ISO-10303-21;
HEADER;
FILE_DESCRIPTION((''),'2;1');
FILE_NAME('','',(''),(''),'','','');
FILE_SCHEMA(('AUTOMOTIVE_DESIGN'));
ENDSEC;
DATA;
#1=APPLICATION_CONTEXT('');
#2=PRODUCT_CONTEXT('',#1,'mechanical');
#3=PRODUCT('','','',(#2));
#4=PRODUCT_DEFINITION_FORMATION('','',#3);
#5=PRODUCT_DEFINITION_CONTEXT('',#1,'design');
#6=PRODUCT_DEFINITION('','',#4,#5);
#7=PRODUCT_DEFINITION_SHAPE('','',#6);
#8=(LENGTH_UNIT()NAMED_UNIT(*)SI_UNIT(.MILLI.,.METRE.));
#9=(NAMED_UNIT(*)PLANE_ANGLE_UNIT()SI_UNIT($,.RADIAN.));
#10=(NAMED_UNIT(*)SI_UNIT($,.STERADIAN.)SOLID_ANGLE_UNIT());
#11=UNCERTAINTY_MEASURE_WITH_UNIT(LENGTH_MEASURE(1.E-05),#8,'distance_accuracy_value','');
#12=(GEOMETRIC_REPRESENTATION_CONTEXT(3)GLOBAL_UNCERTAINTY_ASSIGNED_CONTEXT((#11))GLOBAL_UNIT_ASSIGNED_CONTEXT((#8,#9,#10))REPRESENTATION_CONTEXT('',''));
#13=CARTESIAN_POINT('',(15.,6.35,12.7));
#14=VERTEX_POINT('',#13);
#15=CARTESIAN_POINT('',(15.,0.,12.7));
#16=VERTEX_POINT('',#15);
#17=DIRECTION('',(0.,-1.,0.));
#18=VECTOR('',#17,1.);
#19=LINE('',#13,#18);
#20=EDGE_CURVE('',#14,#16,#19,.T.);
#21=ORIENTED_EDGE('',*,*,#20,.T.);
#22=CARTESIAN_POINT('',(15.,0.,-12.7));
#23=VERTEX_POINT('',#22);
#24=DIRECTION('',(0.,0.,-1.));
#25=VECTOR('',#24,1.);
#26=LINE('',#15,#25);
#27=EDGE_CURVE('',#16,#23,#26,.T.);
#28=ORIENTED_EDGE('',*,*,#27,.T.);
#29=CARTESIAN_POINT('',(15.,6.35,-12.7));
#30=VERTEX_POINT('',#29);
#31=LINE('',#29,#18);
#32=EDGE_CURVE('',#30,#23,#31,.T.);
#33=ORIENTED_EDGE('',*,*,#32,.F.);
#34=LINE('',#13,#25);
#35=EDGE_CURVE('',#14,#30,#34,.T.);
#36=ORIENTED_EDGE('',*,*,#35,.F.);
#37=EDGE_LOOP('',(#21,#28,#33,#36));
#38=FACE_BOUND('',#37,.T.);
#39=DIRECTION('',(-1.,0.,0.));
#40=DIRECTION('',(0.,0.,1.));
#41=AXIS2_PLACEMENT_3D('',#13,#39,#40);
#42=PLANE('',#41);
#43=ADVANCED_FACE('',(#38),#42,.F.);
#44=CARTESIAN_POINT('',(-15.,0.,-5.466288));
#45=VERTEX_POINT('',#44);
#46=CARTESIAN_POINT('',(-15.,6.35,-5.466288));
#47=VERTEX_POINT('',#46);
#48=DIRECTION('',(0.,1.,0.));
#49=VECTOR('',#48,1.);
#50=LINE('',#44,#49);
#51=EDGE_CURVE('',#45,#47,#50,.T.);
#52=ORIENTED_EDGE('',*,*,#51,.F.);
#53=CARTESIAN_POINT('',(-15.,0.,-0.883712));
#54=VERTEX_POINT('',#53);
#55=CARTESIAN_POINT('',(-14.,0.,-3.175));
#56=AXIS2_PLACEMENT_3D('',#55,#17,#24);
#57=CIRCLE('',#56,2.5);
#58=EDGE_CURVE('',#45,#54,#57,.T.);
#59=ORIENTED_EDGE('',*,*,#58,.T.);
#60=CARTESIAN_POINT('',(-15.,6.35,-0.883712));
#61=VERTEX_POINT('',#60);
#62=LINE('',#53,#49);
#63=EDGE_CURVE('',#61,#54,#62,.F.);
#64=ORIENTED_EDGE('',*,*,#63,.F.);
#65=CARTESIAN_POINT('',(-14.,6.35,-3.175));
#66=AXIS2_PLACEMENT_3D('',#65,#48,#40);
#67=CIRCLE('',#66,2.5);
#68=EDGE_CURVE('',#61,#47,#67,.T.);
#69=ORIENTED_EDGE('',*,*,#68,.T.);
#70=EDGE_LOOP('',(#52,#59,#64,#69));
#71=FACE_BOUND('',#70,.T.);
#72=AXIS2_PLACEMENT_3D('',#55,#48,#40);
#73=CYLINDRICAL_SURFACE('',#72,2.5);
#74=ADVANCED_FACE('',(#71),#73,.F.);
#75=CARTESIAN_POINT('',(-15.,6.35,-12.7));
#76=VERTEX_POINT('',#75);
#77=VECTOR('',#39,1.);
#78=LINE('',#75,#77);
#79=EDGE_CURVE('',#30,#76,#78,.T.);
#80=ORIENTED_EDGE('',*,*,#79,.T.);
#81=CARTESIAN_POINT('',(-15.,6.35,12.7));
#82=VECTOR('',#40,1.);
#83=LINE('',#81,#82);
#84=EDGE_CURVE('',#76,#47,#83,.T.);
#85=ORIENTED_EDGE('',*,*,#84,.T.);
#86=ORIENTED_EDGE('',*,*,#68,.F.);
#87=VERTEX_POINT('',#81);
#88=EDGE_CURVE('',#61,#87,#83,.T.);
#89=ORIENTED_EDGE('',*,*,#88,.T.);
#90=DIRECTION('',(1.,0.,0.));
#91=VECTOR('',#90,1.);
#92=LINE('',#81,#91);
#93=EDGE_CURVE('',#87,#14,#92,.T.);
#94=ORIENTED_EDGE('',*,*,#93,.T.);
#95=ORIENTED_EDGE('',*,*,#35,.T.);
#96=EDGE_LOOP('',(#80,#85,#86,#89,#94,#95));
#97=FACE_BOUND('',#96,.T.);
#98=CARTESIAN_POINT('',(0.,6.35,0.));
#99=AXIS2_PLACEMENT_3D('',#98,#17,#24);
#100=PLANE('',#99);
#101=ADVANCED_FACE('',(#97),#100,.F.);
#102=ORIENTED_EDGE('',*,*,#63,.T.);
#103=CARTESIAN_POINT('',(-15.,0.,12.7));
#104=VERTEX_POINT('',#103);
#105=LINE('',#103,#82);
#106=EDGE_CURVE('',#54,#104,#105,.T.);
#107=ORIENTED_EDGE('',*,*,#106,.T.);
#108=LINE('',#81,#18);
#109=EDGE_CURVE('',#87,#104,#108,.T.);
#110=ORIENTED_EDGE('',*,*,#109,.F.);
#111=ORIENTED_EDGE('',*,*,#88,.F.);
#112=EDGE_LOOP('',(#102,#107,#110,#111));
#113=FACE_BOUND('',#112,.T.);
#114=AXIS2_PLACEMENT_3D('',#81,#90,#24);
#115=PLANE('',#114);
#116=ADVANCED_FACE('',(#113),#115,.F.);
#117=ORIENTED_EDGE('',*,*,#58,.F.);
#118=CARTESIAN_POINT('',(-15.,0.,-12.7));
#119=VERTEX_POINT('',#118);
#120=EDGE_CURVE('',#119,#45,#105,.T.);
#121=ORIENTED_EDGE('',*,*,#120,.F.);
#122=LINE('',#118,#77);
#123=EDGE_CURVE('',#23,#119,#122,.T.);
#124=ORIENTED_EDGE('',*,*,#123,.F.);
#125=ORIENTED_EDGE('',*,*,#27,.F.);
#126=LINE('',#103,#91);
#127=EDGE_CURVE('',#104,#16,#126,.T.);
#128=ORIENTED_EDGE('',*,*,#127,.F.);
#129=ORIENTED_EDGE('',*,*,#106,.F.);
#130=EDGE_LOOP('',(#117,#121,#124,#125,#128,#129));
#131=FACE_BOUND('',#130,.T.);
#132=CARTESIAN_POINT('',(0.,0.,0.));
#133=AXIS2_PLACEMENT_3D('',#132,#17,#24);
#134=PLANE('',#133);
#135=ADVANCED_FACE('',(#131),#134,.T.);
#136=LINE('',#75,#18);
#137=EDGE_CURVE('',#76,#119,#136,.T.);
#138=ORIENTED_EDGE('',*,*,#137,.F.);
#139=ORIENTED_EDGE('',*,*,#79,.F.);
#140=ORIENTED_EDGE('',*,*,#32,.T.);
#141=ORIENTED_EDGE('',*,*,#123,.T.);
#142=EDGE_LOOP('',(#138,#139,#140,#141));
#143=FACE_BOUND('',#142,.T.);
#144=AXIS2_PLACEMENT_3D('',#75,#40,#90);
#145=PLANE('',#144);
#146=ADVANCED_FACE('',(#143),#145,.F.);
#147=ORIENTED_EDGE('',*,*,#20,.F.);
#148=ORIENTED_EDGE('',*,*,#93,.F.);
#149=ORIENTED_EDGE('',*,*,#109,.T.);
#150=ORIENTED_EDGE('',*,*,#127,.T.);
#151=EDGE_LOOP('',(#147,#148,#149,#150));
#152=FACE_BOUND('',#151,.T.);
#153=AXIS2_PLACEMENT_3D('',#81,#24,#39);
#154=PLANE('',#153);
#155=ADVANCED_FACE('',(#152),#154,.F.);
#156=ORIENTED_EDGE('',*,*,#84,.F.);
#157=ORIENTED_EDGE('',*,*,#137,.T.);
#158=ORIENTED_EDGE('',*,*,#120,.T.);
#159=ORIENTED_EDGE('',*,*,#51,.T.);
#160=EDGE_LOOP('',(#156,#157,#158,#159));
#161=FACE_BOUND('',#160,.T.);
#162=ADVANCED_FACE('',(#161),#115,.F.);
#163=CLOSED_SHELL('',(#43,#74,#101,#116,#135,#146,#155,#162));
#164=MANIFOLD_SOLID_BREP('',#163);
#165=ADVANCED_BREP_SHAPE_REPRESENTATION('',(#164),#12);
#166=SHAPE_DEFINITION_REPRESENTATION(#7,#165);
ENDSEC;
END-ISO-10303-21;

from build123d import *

# Parameters (mm, degrees)
SKETCH1_W           = 30
SKETCH1_H           = 25.4
BOSS_EXTRUDE1_DEPTH = 6.35
SKETCH2_R           = 2.5
CUT_EXTRUDE1_DEPTH  = 7.35


with BuildPart() as part:
    # Sketch1 → Boss-Extrude1 (new body)
    with BuildSketch(Plane(origin=(0, 0, 0), x_dir=(1, 0, 0), z_dir=(0, 1, 0))):
        Rectangle(SKETCH1_W, SKETCH1_H)
    extrude(amount=BOSS_EXTRUDE1_DEPTH)

    # Sketch2 → Cut-Extrude1 (cut, through all)
    with BuildSketch(Plane(origin=(0, 6.35, 0), x_dir=(1, 0, 0), z_dir=(0, 1, 0))):
        with Locations((-14, 3.175)):
            Circle(SKETCH2_R)
    extrude(amount=-CUT_EXTRUDE1_DEPTH, mode=Mode.SUBTRACT)


solid = part.part
